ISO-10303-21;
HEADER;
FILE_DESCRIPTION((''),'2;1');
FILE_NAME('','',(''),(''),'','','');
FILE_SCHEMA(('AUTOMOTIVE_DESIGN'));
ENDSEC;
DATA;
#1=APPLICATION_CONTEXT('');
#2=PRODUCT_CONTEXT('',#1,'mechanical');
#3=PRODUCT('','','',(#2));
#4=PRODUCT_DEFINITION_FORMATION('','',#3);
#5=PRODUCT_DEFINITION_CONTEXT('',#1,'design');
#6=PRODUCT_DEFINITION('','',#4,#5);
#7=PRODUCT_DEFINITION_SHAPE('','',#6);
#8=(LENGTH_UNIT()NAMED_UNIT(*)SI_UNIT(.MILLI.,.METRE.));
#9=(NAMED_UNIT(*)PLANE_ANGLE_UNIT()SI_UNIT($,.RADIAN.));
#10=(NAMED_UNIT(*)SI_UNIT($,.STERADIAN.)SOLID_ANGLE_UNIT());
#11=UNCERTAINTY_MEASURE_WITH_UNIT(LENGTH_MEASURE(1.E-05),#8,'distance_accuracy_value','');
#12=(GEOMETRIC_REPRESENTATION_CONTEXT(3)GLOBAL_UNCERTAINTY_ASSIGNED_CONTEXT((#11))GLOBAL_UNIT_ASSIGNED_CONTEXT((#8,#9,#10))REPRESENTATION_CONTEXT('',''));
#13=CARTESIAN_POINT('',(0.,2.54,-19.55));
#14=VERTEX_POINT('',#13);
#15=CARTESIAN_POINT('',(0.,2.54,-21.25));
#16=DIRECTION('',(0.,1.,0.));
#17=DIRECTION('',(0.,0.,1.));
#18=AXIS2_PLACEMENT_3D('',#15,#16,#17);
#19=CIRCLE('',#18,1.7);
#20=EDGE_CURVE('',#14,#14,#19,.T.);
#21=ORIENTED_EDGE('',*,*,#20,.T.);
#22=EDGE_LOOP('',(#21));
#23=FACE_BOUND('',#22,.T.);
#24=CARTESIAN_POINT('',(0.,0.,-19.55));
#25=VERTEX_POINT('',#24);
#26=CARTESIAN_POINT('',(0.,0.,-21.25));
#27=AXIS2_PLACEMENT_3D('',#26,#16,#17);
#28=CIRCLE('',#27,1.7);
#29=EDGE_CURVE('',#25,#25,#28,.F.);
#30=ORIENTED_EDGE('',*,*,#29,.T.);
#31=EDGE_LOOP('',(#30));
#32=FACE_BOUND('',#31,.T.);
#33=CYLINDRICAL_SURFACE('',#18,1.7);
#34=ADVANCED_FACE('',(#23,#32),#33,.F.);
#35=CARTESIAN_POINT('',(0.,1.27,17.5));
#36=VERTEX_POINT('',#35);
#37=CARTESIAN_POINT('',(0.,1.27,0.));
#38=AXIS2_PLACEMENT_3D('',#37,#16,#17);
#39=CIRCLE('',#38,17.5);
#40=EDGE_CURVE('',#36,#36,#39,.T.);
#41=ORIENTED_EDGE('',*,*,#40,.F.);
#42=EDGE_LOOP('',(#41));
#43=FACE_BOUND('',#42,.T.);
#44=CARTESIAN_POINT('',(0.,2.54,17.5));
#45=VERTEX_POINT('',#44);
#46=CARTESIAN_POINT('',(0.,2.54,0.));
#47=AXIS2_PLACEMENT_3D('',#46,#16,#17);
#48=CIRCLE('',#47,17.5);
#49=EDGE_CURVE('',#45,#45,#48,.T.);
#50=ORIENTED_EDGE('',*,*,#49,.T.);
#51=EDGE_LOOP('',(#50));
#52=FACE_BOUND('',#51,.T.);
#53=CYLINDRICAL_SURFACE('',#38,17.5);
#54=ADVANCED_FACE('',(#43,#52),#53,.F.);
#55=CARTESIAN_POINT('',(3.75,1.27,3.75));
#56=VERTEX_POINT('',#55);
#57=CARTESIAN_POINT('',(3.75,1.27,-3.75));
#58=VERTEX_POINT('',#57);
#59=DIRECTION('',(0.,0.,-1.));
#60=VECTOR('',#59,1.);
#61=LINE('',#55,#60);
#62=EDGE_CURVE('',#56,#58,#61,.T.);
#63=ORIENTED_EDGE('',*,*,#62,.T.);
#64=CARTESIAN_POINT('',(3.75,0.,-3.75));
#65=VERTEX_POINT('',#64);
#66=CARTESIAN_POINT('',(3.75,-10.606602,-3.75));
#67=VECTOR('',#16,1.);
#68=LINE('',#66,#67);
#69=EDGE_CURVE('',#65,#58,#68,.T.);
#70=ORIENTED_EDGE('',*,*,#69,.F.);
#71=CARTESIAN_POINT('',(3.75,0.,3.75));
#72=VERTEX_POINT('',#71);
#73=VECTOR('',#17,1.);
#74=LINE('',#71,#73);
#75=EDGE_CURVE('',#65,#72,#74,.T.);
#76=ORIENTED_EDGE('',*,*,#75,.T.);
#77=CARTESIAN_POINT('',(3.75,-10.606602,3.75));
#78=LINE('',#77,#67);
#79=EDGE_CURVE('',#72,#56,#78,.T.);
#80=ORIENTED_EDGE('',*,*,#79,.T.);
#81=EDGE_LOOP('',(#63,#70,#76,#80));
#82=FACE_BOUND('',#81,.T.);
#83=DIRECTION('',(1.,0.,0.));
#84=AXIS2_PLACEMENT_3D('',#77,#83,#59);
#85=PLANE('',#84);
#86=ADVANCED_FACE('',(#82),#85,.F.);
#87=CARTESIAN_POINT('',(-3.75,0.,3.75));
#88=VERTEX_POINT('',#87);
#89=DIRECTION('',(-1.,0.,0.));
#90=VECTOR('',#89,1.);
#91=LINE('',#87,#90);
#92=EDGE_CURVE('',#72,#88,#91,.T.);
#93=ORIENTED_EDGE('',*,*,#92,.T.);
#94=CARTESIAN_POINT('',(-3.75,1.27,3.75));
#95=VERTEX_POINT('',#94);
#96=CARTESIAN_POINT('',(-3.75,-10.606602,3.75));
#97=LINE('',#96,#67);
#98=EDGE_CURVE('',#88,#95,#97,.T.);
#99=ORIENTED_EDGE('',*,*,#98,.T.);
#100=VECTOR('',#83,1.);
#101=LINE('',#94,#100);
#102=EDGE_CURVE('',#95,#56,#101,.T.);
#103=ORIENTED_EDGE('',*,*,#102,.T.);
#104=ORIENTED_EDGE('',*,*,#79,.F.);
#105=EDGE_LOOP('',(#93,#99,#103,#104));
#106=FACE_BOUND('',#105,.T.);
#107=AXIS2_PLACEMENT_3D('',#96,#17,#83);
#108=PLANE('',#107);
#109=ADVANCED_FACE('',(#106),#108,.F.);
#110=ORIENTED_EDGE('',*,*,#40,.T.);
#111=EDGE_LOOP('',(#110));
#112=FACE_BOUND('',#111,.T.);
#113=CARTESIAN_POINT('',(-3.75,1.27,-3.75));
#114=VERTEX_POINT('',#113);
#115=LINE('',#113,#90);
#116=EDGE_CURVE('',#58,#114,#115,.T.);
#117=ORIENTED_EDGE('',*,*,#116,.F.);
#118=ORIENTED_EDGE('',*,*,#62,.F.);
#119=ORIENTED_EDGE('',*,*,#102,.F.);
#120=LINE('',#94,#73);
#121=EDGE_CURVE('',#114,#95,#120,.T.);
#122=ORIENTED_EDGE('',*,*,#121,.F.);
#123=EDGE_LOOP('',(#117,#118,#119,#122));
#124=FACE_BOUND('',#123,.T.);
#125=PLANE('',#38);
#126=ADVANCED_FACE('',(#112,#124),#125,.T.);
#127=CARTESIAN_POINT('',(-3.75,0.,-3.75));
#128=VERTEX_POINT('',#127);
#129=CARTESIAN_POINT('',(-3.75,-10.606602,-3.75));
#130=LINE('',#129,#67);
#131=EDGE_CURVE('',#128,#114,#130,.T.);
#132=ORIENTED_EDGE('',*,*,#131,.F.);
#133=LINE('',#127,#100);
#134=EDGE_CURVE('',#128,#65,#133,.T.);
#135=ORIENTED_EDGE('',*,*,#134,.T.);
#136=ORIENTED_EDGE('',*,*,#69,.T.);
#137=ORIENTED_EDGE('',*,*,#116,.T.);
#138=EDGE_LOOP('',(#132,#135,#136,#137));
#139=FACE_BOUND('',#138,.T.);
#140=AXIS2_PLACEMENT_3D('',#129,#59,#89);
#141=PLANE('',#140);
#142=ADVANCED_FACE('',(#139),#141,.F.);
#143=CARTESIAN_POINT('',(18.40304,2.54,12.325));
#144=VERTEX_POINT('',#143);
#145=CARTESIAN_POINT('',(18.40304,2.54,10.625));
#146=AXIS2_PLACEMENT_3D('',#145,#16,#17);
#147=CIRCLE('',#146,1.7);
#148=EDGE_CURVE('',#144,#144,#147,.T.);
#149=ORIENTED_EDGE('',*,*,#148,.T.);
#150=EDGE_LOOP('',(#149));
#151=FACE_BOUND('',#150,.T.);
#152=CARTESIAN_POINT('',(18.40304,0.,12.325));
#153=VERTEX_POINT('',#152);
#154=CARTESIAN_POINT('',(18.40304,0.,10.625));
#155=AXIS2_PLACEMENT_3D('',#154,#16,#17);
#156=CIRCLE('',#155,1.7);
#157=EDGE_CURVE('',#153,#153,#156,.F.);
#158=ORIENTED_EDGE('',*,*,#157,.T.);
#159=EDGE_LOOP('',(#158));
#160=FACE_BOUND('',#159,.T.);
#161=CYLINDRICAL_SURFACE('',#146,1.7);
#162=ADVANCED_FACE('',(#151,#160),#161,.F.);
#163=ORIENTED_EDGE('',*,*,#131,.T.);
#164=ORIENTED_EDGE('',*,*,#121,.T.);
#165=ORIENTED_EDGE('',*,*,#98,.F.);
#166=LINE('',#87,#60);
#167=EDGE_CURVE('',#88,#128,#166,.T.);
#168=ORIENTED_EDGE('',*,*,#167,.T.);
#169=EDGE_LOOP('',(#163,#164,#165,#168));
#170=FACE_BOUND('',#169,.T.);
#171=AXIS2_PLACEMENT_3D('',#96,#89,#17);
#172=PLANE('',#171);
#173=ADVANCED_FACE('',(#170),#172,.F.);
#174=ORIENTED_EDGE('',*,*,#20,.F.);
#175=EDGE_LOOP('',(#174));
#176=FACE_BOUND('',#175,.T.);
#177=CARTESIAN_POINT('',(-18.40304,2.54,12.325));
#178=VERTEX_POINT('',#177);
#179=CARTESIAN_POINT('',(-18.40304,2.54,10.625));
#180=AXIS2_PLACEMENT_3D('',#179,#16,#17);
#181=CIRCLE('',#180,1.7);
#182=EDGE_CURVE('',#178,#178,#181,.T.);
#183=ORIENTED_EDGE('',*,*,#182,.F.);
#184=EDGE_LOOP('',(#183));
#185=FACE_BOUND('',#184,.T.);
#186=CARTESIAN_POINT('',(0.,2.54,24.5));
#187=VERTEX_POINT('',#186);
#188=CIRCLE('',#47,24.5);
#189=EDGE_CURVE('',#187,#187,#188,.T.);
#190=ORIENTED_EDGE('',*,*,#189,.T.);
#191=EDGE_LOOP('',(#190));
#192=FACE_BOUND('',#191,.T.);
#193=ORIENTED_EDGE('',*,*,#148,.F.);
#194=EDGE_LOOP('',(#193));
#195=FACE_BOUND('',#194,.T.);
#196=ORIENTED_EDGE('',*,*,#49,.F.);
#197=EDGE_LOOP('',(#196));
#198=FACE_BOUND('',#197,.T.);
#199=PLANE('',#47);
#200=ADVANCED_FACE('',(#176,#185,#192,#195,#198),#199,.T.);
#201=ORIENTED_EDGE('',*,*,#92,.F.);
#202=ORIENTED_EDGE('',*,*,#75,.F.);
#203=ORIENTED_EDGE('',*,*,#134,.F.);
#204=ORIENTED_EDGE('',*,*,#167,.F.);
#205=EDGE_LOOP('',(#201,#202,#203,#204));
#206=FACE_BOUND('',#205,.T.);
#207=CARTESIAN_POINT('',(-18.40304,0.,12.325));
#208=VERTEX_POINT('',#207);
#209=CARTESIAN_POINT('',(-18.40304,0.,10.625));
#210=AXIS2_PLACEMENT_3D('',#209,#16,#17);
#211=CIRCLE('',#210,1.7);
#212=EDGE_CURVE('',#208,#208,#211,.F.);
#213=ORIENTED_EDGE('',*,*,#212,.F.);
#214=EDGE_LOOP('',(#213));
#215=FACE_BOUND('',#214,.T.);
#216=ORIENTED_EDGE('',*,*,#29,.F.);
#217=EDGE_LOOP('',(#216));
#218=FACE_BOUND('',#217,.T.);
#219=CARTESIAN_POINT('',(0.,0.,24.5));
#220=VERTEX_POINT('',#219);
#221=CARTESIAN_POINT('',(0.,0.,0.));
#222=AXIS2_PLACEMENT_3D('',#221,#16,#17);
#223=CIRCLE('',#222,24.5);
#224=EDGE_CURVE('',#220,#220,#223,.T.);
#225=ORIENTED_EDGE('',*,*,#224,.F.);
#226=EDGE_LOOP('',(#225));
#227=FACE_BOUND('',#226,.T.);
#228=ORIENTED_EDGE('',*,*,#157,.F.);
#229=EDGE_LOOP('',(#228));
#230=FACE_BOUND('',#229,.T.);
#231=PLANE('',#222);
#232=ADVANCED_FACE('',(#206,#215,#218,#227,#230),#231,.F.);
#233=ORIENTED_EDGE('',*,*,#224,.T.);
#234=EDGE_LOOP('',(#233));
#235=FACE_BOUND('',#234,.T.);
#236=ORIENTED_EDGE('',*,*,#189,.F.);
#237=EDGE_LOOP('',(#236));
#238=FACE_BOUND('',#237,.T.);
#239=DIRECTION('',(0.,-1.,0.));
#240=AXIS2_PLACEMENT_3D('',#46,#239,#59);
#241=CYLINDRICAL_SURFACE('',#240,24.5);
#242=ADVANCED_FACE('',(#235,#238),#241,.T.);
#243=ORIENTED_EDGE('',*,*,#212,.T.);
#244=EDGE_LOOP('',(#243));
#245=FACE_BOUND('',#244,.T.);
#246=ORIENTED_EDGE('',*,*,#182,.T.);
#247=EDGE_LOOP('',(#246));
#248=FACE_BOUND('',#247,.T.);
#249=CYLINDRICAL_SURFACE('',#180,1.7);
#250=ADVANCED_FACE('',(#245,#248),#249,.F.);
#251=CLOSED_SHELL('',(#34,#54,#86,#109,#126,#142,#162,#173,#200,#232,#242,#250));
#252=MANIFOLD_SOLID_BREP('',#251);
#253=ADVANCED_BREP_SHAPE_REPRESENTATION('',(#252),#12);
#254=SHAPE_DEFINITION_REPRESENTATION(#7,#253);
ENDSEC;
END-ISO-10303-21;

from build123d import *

# Parameters (mm, degrees)
SKETCH1_R            = 24.5
BOSS_EXTRUDE1_DEPTH  = 2.54
M3_CLEARANCE_HOLE1_D = 3.4
SKETCH4_R            = 17.5
CUT_EXTRUDE1_DEPTH   = 1.27
SKETCH5_W            = 7.5
SKETCH5_H            = 7.5
CUT_EXTRUDE2_DEPTH   = 1.27


with BuildPart() as part:
    # Sketch1 → Boss-Extrude1 (new body)
    with BuildSketch(Plane(origin=(0, 0, 0), x_dir=(1, 0, 0), z_dir=(0, 1, 0))):
        with Locations(Location((0, 0, 0), (0, 0, 270))):
            Circle(SKETCH1_R)
    extrude(amount=BOSS_EXTRUDE1_DEPTH)

    # M3 Clearance Hole1 (through all)
    with Locations(Plane(origin=(-18.40303983, 2.54, 10.625), x_dir=(0, 0, 1), z_dir=(0, 1, 0))):
        with Locations((0, 0), (0, 36.80607966), (-31.875, 18.40303983)):
            Hole(M3_CLEARANCE_HOLE1_D / 2)

    # Sketch4 → Cut-Extrude1 (cut)
    with BuildSketch(Plane(origin=(0, 2.54, 0), x_dir=(1, 0, 0), z_dir=(0, 1, 0))):
        with Locations(Location((0, 0, 0), (0, 0, 270))):
            Circle(SKETCH4_R)
    extrude(amount=-CUT_EXTRUDE1_DEPTH, mode=Mode.SUBTRACT)

    # Sketch5 → Cut-Extrude2 (cut)
    with BuildSketch(Plane(origin=(0, 1.27, 0), x_dir=(1, 0, 0), z_dir=(0, 1, 0))):
        Rectangle(SKETCH5_W, SKETCH5_H)
    extrude(amount=-CUT_EXTRUDE2_DEPTH, mode=Mode.SUBTRACT)


solid = part.part
